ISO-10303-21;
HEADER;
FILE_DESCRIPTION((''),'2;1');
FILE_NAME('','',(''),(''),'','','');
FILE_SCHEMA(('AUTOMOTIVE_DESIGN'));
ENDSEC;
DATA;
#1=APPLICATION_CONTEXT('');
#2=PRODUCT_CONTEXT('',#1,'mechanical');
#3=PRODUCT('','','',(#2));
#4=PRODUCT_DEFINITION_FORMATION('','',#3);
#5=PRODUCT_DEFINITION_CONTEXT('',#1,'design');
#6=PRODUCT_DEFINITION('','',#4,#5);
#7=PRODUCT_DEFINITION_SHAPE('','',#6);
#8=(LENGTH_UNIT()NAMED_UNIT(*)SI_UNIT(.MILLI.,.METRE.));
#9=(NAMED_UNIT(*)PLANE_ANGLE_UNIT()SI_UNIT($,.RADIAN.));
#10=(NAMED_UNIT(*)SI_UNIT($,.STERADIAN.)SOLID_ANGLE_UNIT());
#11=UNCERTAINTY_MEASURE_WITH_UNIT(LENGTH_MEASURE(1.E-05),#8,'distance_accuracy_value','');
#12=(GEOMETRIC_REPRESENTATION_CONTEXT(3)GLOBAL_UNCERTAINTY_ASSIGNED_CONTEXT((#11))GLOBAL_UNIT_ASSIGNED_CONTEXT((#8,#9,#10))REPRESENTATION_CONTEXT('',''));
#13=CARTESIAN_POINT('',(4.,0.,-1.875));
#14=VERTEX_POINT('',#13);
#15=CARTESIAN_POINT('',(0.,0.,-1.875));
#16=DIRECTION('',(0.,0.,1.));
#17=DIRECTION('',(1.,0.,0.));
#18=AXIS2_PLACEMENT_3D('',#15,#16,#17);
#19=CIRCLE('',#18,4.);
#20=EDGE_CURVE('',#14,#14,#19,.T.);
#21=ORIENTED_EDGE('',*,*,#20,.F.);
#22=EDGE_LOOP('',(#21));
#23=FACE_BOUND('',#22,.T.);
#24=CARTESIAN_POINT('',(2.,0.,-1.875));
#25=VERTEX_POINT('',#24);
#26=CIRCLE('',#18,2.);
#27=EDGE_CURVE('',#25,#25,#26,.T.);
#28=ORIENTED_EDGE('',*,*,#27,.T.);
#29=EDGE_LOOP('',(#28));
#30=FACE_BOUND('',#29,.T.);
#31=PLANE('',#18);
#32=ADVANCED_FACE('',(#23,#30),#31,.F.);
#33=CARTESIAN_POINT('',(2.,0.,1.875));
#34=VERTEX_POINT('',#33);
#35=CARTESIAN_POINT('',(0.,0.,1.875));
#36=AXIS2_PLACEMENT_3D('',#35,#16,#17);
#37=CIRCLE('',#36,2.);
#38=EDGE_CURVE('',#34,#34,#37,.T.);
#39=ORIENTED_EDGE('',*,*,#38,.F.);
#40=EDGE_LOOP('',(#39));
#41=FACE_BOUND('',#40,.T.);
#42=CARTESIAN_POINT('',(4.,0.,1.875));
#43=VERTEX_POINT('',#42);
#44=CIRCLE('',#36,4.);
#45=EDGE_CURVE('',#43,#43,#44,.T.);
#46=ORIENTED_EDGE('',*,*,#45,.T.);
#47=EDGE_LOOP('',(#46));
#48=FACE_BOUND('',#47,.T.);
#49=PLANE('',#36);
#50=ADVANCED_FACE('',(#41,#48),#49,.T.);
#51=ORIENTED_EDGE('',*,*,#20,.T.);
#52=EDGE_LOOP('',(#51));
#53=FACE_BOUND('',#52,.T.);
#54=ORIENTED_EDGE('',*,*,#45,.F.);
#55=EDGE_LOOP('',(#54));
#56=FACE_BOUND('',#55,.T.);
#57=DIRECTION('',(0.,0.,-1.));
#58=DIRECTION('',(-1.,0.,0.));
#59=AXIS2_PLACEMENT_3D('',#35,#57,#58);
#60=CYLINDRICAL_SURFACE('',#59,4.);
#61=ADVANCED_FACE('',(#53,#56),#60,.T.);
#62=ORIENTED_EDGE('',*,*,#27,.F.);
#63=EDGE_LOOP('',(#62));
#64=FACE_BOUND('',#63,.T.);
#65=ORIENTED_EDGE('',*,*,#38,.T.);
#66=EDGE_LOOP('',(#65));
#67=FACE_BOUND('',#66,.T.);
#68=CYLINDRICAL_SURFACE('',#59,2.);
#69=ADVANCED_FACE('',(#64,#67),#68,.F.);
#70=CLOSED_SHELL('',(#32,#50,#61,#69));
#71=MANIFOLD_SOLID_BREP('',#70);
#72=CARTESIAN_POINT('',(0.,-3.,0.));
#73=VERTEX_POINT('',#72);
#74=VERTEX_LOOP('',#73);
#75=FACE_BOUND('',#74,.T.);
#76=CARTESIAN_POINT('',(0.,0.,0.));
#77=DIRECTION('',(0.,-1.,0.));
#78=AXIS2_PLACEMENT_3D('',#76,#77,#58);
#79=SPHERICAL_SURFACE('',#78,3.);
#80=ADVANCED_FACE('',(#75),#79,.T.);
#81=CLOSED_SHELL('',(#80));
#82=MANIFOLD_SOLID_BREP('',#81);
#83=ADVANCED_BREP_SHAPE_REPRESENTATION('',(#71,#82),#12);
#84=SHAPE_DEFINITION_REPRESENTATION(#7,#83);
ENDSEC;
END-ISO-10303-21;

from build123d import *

# Parameters (mm, degrees)
SKETCH1_R           = 4
SKETCH1_R_2         = 2
BOSS_EXTRUDE1_DEPTH = 1.875


with BuildPart() as part:
    # Sketch1 → Boss-Extrude1 (new body, symmetric)
    with BuildSketch(Plane.XY):
        Circle(SKETCH1_R)
        Circle(SKETCH1_R_2, mode=Mode.SUBTRACT)
    extrude(amount=BOSS_EXTRUDE1_DEPTH, both=True)


with BuildPart() as body_2:
    # Sketch2 → Revolve1 (revolve)
    with BuildSketch(Plane.XY):
        with BuildLine():
            Line((0, -3), (0, 3))
            ThreePointArc((0, 3), (-3, 0), (0, -3))
        make_face()
    revolve(axis=Axis((0, -3, 0), (0, 1, 0)))


solid = Compound([part.part, body_2.part])
